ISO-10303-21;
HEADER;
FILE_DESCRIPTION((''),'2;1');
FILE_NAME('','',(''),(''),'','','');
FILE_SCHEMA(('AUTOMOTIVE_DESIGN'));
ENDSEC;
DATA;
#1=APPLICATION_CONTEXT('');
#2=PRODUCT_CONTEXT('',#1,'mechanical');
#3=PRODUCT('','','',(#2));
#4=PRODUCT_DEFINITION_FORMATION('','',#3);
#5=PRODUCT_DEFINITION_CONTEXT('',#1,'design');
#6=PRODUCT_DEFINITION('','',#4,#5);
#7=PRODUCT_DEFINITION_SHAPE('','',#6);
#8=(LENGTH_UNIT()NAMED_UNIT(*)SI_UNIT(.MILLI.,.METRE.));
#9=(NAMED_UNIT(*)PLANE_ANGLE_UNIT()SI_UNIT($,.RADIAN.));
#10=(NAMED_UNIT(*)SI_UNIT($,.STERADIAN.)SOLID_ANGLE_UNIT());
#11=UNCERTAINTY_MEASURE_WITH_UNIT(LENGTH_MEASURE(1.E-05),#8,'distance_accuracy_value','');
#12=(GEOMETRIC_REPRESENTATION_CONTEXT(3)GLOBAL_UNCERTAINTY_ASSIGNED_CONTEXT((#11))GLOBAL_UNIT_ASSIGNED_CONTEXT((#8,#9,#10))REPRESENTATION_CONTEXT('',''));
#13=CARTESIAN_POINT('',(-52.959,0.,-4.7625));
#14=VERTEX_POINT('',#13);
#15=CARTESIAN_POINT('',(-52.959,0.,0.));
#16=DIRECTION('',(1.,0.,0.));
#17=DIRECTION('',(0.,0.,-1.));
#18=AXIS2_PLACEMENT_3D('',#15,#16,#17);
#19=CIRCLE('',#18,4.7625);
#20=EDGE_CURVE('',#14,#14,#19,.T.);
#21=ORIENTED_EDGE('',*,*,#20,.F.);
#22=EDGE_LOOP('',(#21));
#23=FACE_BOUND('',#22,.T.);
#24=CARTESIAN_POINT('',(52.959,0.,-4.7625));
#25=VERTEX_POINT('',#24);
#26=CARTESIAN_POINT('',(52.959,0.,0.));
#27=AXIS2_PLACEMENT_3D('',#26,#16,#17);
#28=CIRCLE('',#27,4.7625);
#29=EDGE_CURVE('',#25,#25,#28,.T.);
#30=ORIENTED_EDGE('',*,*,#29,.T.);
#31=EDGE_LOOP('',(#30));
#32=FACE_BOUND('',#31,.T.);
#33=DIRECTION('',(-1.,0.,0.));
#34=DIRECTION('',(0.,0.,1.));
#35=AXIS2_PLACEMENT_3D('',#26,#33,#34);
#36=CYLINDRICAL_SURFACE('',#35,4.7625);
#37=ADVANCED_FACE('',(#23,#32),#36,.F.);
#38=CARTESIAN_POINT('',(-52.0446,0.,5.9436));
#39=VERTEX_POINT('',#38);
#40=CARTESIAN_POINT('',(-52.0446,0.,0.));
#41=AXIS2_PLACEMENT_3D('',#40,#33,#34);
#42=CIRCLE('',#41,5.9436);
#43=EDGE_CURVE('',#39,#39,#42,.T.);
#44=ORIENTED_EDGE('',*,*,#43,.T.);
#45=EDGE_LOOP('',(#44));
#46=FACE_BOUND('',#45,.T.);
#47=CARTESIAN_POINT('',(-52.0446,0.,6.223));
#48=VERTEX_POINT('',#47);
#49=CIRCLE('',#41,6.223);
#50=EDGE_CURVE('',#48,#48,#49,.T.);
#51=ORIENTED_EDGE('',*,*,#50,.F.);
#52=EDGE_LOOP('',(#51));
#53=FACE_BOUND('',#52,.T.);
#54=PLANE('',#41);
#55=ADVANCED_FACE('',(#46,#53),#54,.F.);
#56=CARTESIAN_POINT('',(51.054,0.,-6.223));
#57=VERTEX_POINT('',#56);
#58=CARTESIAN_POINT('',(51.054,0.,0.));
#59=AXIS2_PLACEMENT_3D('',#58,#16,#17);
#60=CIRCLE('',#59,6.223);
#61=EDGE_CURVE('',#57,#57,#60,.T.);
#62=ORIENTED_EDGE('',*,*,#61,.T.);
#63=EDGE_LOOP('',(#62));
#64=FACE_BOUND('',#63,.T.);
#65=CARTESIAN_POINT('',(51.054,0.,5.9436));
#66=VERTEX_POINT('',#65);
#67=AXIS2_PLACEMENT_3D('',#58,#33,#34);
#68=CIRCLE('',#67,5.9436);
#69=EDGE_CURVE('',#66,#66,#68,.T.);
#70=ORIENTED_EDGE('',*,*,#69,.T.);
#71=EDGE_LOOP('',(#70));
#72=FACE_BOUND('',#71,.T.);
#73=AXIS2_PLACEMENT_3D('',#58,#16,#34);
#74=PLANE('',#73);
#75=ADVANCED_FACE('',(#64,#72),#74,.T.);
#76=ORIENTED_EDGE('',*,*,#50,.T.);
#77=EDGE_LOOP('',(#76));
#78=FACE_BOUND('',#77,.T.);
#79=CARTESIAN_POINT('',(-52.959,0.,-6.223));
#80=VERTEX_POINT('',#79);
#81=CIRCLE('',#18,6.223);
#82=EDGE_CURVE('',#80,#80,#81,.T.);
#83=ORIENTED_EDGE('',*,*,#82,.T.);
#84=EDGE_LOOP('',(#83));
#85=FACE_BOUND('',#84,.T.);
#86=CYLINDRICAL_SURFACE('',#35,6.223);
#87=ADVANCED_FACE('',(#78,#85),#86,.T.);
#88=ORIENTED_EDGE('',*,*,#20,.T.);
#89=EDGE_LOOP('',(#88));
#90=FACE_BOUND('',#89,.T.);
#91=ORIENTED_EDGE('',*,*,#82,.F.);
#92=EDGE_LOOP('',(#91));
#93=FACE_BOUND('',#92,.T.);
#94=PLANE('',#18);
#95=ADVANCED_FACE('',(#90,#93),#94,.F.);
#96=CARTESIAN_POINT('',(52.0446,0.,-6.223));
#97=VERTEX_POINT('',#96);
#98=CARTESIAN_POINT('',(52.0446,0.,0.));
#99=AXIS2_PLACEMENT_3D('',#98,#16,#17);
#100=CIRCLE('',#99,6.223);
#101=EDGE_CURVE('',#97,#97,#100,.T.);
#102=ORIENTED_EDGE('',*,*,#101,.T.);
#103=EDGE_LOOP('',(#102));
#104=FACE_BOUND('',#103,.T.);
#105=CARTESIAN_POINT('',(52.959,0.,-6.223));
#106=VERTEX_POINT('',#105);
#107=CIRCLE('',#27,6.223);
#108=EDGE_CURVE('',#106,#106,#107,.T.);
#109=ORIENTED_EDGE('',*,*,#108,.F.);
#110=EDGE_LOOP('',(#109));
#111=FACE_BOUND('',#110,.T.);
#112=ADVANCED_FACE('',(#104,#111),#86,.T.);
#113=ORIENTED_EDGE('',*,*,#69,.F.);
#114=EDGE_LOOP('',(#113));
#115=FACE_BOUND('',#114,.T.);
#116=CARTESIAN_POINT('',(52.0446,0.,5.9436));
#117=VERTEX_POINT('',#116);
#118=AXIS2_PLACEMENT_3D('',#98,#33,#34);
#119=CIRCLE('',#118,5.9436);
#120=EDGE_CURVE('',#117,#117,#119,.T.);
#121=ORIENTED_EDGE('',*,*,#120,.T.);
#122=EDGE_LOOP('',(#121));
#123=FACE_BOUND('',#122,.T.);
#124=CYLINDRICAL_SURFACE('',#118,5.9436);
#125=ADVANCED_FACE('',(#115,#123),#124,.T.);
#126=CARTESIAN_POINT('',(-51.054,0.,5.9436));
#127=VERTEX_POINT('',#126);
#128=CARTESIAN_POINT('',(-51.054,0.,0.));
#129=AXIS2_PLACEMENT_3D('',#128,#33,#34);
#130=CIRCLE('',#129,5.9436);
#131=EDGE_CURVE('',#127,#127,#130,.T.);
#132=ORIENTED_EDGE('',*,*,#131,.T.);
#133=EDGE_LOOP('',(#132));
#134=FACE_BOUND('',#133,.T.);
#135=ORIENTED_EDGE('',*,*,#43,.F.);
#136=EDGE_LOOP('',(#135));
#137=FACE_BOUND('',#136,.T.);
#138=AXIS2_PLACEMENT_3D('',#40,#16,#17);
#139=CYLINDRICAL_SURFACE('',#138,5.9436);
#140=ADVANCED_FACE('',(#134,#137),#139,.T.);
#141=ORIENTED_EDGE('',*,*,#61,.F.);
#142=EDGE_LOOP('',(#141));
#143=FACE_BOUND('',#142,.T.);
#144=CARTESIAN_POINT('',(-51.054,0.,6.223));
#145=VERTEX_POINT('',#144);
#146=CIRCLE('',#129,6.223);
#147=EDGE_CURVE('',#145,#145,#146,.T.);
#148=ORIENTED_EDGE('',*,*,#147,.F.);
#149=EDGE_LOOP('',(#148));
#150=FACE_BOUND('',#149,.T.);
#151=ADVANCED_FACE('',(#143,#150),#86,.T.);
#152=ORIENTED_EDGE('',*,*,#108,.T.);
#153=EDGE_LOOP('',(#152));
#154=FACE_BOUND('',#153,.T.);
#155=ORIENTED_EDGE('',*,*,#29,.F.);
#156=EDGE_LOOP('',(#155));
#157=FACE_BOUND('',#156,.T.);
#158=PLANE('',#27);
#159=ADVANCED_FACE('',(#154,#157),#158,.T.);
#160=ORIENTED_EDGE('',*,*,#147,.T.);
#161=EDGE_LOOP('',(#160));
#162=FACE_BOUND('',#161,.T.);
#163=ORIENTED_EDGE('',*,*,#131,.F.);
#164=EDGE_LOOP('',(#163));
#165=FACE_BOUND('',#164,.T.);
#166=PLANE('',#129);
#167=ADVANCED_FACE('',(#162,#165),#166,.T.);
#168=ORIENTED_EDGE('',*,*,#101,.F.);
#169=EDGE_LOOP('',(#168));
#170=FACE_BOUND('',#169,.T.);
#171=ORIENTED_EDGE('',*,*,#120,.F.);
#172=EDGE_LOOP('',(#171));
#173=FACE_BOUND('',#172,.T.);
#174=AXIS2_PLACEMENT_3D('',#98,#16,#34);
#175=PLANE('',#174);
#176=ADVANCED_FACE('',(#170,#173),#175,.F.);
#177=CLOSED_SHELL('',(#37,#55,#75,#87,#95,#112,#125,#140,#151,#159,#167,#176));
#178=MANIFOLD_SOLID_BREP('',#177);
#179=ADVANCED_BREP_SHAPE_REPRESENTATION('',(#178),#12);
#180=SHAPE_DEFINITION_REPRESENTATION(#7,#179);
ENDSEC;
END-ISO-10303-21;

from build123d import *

# Parameters (mm, degrees)
SKETCH1_R           = 6.223
SKETCH1_R_2         = 4.7625
BOSS_EXTRUDE1_DEPTH = 52.959
SKETCH2_R           = 6.35
SKETCH2_R_2         = 5.9436
CUT_EXTRUDE1_DEPTH  = 0.9906


with BuildPart() as part:
    # Sketch1 → Boss-Extrude1 (new body, symmetric)
    with BuildSketch(Plane(origin=(0, 0, 0), x_dir=(0, 0, -1), z_dir=(1, 0, 0))):
        Circle(SKETCH1_R)
        Circle(SKETCH1_R_2, mode=Mode.SUBTRACT)
    extrude(amount=BOSS_EXTRUDE1_DEPTH, both=True)

    # Sketch2 → Cut-Extrude1 (cut)
    with BuildSketch(Plane.ZY.offset(51.054)):
        Circle(SKETCH2_R)
        Circle(SKETCH2_R_2, mode=Mode.SUBTRACT)
    cut_extrude1 = extrude(amount=CUT_EXTRUDE1_DEPTH, mode=Mode.SUBTRACT)

    # Mirror1: Cut-Extrude1 across plane
    add(cut_extrude1.mirror(Plane(origin=(0, 0, 0), x_dir=(0, 0, 1), z_dir=(1, 0, 0))), mode=Mode.SUBTRACT)


solid = part.part
